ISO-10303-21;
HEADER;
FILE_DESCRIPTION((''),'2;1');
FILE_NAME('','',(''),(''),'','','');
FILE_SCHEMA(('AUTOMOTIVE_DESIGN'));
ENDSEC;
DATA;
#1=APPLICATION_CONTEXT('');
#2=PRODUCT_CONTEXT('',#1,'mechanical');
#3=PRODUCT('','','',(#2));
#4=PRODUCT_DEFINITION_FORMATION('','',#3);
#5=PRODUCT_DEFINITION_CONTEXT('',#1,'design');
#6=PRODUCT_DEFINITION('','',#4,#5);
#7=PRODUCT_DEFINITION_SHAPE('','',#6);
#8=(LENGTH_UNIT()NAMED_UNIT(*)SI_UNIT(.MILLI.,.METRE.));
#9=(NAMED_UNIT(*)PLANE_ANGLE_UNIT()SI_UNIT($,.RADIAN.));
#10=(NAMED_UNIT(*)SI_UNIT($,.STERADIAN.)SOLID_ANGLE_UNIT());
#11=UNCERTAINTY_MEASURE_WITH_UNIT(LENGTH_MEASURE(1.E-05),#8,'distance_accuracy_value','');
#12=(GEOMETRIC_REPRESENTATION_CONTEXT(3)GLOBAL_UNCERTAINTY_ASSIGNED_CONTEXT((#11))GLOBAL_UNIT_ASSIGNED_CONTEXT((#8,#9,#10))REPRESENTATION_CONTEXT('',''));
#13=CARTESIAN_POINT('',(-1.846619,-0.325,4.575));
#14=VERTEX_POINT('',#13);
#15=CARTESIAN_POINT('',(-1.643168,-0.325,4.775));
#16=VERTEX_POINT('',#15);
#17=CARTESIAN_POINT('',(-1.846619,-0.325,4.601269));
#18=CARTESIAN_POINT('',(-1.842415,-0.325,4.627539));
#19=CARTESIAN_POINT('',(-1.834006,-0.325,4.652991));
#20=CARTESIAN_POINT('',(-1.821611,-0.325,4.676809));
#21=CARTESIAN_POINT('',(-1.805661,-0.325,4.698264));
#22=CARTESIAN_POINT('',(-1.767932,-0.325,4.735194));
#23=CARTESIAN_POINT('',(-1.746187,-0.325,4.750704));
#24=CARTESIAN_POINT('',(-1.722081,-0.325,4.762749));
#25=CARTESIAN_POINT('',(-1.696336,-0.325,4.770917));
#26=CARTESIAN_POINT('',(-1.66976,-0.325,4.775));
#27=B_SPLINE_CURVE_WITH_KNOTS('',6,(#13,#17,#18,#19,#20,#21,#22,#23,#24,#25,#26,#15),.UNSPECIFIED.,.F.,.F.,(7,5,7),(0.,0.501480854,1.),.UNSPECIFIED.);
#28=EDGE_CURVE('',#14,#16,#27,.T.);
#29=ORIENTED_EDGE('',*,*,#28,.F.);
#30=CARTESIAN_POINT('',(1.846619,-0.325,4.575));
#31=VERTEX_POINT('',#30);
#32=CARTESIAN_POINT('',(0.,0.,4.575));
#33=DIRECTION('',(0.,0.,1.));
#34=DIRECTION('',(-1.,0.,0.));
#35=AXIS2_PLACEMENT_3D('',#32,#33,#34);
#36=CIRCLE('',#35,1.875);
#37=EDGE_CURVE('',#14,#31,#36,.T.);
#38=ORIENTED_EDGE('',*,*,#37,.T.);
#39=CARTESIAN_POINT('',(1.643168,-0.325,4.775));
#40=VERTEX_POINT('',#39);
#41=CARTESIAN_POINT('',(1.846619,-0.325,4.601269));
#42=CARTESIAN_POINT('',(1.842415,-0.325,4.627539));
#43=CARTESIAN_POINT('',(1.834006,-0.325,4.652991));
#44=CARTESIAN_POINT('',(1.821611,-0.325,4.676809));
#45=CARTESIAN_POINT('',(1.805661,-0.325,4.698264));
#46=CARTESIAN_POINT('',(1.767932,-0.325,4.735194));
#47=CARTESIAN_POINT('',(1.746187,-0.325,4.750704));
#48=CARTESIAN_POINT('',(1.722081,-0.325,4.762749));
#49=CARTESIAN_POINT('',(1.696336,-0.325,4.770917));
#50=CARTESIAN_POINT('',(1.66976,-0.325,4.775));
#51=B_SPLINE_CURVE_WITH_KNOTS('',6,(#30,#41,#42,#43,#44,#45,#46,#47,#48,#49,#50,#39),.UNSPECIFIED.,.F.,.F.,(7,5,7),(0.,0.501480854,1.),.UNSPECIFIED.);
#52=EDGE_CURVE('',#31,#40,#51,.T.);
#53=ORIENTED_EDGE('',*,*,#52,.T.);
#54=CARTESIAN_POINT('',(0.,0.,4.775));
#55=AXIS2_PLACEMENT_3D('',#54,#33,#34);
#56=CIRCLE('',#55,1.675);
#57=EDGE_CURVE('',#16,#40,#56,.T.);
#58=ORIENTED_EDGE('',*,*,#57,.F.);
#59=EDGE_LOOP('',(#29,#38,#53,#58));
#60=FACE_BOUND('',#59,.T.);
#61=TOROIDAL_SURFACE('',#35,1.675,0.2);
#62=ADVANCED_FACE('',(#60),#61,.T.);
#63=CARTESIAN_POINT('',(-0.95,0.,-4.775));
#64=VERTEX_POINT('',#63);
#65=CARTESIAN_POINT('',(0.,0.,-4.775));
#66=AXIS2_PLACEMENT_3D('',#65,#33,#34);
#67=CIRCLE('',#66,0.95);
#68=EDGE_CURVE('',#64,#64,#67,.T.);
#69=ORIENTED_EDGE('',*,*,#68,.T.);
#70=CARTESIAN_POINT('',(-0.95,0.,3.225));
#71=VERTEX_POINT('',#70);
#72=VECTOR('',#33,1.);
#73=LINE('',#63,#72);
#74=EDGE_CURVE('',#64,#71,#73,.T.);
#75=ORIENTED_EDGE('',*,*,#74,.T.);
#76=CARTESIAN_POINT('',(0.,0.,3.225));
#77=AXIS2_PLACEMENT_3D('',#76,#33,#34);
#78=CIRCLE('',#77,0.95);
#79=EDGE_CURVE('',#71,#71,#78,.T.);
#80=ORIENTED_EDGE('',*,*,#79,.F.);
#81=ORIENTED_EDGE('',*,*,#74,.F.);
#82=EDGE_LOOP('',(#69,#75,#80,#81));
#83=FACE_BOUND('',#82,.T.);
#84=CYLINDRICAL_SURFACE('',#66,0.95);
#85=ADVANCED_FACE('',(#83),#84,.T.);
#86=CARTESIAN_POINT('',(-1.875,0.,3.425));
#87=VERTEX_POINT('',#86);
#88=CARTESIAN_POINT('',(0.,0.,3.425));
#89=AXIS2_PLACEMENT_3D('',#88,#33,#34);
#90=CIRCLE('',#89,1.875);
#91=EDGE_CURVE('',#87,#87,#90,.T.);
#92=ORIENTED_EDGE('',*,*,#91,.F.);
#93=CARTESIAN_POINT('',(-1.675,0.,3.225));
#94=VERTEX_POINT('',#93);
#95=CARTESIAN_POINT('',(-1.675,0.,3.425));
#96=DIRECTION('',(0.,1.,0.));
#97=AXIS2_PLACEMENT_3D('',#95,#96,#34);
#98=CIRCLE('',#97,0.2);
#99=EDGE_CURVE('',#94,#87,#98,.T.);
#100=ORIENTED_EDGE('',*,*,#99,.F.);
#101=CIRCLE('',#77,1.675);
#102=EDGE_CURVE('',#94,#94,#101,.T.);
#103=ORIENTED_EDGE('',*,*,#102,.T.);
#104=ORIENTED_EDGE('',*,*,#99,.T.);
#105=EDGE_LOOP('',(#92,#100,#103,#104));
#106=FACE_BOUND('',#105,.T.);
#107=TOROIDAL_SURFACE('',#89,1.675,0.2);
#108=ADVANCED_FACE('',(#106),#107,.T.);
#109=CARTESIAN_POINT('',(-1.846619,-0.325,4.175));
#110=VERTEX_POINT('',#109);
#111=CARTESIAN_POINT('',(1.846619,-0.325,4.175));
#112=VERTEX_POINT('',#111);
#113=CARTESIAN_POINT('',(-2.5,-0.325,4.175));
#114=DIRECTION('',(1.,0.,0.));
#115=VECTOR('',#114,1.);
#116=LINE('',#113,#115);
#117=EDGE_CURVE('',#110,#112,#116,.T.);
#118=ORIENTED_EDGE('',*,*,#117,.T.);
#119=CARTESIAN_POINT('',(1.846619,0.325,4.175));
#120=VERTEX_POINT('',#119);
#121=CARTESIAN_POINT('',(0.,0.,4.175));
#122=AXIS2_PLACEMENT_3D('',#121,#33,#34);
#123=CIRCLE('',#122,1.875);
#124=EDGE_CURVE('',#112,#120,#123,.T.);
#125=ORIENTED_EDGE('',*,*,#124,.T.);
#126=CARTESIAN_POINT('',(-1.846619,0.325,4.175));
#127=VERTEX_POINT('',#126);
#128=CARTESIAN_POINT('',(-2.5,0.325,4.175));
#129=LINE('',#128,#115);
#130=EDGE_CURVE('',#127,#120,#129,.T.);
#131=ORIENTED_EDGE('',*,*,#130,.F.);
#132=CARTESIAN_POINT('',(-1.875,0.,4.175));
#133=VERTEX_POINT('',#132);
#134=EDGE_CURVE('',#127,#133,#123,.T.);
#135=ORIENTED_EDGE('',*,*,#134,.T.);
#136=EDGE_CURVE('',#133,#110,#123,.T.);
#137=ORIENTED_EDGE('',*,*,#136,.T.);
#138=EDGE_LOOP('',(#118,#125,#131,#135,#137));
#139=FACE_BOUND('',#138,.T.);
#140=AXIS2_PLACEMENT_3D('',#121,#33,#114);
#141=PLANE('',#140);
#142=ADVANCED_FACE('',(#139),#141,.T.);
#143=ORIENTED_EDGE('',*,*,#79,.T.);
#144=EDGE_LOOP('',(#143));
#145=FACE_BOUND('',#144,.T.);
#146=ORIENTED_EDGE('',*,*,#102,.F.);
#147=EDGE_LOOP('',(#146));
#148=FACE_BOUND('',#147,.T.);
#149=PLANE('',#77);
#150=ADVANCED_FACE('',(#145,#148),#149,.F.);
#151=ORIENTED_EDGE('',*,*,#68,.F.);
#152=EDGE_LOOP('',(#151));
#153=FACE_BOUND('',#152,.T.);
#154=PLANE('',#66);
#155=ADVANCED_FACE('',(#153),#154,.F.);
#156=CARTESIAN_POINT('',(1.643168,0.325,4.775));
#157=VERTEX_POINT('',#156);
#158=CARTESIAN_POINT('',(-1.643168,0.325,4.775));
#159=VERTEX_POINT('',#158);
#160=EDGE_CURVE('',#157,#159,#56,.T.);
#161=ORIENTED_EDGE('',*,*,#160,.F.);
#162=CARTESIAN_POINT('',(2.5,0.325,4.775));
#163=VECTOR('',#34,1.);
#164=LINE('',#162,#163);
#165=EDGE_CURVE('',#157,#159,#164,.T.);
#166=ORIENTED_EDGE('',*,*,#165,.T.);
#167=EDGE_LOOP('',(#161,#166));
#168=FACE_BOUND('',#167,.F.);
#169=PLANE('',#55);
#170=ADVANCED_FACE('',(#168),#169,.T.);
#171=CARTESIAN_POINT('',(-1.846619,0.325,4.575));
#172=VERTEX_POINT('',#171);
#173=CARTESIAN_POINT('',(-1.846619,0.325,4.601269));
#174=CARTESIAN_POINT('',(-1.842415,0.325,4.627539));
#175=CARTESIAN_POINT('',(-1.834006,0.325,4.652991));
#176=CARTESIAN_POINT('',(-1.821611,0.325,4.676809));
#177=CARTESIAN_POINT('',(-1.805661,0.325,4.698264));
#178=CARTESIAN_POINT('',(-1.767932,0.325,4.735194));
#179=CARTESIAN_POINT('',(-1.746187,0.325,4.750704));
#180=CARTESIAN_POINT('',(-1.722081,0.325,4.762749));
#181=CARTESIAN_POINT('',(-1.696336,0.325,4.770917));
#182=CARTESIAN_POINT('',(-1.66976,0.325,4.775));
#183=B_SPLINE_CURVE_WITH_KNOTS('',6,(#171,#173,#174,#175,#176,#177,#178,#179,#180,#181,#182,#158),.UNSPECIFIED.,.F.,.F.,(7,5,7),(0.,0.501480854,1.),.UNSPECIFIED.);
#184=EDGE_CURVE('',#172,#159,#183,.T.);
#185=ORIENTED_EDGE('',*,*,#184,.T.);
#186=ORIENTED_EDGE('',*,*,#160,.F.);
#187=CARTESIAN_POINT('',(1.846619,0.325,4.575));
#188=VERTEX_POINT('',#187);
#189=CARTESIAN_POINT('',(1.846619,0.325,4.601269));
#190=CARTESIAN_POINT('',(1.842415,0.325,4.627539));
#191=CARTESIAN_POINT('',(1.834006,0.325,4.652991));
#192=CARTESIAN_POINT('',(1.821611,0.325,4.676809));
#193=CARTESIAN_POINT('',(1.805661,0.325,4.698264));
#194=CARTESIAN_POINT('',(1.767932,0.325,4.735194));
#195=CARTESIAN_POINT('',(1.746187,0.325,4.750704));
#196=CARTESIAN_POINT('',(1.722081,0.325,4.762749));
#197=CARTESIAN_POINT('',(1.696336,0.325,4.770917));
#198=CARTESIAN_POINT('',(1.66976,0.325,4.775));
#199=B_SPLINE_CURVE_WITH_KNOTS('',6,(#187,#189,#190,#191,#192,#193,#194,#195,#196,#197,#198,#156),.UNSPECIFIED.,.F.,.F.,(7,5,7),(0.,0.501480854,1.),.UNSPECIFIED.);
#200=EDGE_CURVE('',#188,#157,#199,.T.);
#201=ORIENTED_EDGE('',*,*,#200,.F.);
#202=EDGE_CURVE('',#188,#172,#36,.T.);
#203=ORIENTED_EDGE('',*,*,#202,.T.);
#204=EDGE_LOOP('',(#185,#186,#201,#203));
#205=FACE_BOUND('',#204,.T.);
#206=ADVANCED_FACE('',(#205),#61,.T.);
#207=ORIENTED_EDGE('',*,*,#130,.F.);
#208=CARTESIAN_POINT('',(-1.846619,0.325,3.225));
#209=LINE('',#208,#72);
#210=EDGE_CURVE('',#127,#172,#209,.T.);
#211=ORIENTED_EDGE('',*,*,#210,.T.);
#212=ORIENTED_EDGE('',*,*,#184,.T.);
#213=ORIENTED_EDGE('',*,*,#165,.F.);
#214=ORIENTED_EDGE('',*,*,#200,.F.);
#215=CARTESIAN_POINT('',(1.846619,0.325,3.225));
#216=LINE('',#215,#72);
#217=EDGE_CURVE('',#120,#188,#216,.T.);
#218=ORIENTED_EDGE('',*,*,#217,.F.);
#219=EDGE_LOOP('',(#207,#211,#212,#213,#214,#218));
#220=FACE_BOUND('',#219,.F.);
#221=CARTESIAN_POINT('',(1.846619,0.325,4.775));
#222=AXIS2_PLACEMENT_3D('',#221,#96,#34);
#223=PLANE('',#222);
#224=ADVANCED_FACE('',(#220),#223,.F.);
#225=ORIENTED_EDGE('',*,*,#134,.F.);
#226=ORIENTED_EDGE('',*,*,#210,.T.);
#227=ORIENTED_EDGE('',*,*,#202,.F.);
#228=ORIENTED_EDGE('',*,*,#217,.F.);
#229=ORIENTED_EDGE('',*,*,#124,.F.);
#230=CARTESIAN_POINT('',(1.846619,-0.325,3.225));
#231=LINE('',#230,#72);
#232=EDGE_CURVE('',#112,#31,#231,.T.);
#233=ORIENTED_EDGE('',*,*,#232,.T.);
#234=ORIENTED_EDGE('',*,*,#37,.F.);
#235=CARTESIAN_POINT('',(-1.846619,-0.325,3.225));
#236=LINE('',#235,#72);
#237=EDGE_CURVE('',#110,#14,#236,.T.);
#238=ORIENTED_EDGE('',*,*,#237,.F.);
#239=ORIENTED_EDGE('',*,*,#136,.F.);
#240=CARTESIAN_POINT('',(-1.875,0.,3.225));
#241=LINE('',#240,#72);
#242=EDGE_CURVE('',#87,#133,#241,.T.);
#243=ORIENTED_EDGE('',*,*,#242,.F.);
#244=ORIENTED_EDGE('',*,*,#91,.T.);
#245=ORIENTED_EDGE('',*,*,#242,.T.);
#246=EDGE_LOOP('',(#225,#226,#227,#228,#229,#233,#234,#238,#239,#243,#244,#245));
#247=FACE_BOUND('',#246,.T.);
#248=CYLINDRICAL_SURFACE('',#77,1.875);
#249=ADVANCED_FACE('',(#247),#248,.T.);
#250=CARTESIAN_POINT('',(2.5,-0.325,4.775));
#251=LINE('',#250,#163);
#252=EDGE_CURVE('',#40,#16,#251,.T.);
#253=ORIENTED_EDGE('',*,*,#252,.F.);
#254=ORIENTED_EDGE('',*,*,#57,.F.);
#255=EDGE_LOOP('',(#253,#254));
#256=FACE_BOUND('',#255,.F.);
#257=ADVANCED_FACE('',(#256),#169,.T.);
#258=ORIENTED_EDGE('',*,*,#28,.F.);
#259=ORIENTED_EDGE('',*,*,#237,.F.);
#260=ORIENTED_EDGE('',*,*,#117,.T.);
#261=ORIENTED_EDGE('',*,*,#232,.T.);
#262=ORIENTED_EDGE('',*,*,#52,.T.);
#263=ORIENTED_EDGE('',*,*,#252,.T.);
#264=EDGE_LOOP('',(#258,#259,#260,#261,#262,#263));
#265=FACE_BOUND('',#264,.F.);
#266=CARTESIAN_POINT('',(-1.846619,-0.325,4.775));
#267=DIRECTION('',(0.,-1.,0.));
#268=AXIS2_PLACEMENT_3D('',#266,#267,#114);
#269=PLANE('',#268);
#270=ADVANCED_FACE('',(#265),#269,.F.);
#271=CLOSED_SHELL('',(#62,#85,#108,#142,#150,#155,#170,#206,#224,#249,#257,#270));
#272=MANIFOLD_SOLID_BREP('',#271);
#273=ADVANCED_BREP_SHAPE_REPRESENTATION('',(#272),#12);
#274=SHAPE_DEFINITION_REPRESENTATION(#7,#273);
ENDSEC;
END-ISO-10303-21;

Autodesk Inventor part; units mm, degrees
ref_plane "YZ Plane" through (0, 0, 0) normal (1, 0, 0) x (0, 1, 0)
ref_plane "XZ Plane" through (0, 0, 0) normal (0, 1, 0) x (-1, 0, 0)
ref_plane "XY Plane" through (0, 0, 0) normal (0, 0, 1) x (1, 0, 0)
sketch "Sketch1" plane through (0, 0, 0) normal (0, 1, 0) x (-1, 0, 0)
  line L0 (0, -6.685) -> (0, 6.685) projected
  line L1 (0, -4.775) -> (0, 4.775)
  line L2 (0, -4.775) -> (0.95, -4.775)
  line L3 (0.95, -4.775) -> (0.95, 3.225)
  line L4 (0.95, 3.225) -> (1.875, 3.225)
  line L5 (1.875, 3.225) -> (1.875, 4.775)
  line L6 (2.25, 0) -> (-0.375, 0) projected
  line L7 (0, 4.775) -> (1.875, 4.775)
  point P0 (0, 0)
  dimension "d0" = 8
  dimension "d1" = 1.9
  dimension "d3" = 3.75
  dimension "d4" = 1.55
revolve "Revolution1" add sketch "Sketch1" angle 360 about axis through (0, 0, -10) along (0, 0, 1)
thread "Thread2" size "M2x0.4" class "6g" standard "ANSI Metric M Profile" full length
fillet "Fillet1" radius 0.2 2 edges at (1.875, 0, 4.775) (1.875, 0, 3.225)
sketch "Sketch3" plane through (0, 0, 4.775) normal (0, 0, 1) x (1, 0, 0)
  circle A0 centre (0, 0) radius 1.875 projected
  circle A1 centre (0, 0) radius 1.875 projected
  line L0 (-2.5, -0.325) -> (2.5, -0.325)
  line L1 (2.5, -0.325) -> (2.5, 0.325)
  line L2 (2.5, 0.325) -> (-2.5, 0.325)
  line L3 (-2.5, 0.325) -> (-2.5, -0.325)
  line L4 (-2.5, -0.325) -> (2.5, 0.325) construction
  line L5 (2.5, -0.325) -> (-2.5, 0.325) construction
  dimension "d15" = 0.65
  dimension "d16" = 5
extrude "Extrusion2" cut sketch "Sketch3" against normal blind 0.6 contours A0 L0 L2 | A0 L2 L1 L0 | A0 L0 L3 L2
properties part number "empty"
